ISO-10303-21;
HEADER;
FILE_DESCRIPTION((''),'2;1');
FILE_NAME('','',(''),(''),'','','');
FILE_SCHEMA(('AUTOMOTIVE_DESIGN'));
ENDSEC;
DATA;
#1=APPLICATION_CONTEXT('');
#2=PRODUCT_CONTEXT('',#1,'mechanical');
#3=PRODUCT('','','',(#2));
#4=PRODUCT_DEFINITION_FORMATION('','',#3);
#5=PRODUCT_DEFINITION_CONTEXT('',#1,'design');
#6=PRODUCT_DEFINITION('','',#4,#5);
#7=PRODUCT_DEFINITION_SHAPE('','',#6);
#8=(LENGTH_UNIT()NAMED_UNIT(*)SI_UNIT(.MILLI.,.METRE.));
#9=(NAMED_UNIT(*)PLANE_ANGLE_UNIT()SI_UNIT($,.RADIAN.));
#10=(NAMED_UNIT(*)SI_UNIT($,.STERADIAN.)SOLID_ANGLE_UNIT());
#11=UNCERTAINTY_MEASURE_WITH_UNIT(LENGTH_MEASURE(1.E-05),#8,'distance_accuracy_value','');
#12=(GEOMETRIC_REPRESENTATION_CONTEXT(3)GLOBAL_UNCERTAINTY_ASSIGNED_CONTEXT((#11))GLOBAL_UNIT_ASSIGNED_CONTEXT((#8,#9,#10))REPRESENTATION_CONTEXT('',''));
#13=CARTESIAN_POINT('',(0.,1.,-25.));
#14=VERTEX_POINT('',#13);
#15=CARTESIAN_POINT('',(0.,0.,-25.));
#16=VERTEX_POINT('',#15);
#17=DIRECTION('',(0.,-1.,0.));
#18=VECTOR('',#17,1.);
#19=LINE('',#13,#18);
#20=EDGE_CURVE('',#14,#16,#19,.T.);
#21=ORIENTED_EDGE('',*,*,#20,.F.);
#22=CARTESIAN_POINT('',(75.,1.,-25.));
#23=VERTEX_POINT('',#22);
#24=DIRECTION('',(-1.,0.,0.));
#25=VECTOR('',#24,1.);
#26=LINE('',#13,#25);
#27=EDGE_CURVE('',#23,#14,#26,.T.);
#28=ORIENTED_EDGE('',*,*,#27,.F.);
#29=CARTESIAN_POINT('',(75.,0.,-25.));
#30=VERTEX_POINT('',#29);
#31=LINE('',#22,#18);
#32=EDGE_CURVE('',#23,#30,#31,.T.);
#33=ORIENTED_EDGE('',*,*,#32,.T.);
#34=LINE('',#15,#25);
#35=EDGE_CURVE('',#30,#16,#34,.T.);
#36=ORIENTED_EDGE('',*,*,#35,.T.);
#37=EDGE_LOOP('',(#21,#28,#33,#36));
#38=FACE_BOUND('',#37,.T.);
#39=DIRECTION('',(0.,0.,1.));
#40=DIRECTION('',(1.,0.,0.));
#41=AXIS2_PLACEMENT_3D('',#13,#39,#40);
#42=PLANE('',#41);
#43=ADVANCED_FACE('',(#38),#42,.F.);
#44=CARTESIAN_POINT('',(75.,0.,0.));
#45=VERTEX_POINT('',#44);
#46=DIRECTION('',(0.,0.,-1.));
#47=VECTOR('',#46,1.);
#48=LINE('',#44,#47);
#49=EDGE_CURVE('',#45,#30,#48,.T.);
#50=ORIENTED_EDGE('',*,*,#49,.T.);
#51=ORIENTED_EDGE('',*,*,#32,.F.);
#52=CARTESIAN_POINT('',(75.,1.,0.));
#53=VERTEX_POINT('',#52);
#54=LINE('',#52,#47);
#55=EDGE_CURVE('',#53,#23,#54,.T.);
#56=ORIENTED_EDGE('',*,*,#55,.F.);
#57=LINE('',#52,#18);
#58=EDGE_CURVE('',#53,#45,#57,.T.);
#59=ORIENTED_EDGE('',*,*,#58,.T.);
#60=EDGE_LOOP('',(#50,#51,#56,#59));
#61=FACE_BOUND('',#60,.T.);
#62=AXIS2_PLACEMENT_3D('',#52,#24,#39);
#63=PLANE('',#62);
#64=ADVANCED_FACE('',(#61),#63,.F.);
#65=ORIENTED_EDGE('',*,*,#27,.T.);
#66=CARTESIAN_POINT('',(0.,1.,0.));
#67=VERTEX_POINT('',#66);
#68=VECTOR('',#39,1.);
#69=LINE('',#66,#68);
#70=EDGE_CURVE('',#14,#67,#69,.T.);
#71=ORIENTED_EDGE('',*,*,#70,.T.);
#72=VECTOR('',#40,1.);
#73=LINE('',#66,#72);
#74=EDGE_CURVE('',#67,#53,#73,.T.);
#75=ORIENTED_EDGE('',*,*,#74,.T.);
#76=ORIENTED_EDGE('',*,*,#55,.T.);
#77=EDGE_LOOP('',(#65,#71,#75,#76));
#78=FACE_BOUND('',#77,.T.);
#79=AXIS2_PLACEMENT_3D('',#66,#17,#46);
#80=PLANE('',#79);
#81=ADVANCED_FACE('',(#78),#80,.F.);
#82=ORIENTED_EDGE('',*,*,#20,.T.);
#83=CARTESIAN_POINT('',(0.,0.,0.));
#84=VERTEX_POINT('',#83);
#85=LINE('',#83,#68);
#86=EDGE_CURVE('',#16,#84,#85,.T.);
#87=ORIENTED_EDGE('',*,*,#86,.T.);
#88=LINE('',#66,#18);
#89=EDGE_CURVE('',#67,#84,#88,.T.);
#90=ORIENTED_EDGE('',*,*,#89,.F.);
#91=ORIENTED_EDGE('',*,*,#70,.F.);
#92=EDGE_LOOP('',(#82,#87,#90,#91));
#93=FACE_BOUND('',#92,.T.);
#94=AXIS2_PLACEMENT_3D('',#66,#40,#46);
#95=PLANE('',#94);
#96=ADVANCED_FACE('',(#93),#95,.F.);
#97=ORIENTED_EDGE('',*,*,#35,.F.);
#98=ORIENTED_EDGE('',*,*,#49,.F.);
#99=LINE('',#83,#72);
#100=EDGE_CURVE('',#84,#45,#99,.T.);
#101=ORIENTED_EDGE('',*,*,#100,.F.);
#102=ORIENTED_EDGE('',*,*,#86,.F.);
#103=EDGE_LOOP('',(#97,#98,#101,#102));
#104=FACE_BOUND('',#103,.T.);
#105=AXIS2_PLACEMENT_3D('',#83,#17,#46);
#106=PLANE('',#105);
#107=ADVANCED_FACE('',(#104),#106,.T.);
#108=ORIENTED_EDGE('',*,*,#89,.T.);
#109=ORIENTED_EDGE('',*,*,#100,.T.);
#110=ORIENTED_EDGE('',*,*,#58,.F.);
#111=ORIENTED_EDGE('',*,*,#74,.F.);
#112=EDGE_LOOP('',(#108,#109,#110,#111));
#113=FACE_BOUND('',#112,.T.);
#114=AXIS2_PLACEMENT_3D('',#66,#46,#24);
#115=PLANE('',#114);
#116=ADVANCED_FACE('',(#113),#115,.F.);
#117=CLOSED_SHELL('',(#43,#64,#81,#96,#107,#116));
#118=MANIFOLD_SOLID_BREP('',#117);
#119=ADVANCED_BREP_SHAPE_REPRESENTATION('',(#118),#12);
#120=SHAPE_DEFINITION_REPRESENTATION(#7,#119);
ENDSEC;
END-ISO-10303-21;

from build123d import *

# Parameters (mm, degrees)
SKETCH1_W           = 75
SKETCH1_H           = 25
BOSS_EXTRUDE1_DEPTH = 1


with BuildPart() as part:
    # Sketch1 → Boss-Extrude1 (new body)
    with BuildSketch(Plane(origin=(0, 0, 0), x_dir=(1, 0, 0), z_dir=(0, 1, 0))):
        with Locations((37.5, 12.5)):
            Rectangle(SKETCH1_W, SKETCH1_H)
    extrude(amount=BOSS_EXTRUDE1_DEPTH)


solid = part.part
